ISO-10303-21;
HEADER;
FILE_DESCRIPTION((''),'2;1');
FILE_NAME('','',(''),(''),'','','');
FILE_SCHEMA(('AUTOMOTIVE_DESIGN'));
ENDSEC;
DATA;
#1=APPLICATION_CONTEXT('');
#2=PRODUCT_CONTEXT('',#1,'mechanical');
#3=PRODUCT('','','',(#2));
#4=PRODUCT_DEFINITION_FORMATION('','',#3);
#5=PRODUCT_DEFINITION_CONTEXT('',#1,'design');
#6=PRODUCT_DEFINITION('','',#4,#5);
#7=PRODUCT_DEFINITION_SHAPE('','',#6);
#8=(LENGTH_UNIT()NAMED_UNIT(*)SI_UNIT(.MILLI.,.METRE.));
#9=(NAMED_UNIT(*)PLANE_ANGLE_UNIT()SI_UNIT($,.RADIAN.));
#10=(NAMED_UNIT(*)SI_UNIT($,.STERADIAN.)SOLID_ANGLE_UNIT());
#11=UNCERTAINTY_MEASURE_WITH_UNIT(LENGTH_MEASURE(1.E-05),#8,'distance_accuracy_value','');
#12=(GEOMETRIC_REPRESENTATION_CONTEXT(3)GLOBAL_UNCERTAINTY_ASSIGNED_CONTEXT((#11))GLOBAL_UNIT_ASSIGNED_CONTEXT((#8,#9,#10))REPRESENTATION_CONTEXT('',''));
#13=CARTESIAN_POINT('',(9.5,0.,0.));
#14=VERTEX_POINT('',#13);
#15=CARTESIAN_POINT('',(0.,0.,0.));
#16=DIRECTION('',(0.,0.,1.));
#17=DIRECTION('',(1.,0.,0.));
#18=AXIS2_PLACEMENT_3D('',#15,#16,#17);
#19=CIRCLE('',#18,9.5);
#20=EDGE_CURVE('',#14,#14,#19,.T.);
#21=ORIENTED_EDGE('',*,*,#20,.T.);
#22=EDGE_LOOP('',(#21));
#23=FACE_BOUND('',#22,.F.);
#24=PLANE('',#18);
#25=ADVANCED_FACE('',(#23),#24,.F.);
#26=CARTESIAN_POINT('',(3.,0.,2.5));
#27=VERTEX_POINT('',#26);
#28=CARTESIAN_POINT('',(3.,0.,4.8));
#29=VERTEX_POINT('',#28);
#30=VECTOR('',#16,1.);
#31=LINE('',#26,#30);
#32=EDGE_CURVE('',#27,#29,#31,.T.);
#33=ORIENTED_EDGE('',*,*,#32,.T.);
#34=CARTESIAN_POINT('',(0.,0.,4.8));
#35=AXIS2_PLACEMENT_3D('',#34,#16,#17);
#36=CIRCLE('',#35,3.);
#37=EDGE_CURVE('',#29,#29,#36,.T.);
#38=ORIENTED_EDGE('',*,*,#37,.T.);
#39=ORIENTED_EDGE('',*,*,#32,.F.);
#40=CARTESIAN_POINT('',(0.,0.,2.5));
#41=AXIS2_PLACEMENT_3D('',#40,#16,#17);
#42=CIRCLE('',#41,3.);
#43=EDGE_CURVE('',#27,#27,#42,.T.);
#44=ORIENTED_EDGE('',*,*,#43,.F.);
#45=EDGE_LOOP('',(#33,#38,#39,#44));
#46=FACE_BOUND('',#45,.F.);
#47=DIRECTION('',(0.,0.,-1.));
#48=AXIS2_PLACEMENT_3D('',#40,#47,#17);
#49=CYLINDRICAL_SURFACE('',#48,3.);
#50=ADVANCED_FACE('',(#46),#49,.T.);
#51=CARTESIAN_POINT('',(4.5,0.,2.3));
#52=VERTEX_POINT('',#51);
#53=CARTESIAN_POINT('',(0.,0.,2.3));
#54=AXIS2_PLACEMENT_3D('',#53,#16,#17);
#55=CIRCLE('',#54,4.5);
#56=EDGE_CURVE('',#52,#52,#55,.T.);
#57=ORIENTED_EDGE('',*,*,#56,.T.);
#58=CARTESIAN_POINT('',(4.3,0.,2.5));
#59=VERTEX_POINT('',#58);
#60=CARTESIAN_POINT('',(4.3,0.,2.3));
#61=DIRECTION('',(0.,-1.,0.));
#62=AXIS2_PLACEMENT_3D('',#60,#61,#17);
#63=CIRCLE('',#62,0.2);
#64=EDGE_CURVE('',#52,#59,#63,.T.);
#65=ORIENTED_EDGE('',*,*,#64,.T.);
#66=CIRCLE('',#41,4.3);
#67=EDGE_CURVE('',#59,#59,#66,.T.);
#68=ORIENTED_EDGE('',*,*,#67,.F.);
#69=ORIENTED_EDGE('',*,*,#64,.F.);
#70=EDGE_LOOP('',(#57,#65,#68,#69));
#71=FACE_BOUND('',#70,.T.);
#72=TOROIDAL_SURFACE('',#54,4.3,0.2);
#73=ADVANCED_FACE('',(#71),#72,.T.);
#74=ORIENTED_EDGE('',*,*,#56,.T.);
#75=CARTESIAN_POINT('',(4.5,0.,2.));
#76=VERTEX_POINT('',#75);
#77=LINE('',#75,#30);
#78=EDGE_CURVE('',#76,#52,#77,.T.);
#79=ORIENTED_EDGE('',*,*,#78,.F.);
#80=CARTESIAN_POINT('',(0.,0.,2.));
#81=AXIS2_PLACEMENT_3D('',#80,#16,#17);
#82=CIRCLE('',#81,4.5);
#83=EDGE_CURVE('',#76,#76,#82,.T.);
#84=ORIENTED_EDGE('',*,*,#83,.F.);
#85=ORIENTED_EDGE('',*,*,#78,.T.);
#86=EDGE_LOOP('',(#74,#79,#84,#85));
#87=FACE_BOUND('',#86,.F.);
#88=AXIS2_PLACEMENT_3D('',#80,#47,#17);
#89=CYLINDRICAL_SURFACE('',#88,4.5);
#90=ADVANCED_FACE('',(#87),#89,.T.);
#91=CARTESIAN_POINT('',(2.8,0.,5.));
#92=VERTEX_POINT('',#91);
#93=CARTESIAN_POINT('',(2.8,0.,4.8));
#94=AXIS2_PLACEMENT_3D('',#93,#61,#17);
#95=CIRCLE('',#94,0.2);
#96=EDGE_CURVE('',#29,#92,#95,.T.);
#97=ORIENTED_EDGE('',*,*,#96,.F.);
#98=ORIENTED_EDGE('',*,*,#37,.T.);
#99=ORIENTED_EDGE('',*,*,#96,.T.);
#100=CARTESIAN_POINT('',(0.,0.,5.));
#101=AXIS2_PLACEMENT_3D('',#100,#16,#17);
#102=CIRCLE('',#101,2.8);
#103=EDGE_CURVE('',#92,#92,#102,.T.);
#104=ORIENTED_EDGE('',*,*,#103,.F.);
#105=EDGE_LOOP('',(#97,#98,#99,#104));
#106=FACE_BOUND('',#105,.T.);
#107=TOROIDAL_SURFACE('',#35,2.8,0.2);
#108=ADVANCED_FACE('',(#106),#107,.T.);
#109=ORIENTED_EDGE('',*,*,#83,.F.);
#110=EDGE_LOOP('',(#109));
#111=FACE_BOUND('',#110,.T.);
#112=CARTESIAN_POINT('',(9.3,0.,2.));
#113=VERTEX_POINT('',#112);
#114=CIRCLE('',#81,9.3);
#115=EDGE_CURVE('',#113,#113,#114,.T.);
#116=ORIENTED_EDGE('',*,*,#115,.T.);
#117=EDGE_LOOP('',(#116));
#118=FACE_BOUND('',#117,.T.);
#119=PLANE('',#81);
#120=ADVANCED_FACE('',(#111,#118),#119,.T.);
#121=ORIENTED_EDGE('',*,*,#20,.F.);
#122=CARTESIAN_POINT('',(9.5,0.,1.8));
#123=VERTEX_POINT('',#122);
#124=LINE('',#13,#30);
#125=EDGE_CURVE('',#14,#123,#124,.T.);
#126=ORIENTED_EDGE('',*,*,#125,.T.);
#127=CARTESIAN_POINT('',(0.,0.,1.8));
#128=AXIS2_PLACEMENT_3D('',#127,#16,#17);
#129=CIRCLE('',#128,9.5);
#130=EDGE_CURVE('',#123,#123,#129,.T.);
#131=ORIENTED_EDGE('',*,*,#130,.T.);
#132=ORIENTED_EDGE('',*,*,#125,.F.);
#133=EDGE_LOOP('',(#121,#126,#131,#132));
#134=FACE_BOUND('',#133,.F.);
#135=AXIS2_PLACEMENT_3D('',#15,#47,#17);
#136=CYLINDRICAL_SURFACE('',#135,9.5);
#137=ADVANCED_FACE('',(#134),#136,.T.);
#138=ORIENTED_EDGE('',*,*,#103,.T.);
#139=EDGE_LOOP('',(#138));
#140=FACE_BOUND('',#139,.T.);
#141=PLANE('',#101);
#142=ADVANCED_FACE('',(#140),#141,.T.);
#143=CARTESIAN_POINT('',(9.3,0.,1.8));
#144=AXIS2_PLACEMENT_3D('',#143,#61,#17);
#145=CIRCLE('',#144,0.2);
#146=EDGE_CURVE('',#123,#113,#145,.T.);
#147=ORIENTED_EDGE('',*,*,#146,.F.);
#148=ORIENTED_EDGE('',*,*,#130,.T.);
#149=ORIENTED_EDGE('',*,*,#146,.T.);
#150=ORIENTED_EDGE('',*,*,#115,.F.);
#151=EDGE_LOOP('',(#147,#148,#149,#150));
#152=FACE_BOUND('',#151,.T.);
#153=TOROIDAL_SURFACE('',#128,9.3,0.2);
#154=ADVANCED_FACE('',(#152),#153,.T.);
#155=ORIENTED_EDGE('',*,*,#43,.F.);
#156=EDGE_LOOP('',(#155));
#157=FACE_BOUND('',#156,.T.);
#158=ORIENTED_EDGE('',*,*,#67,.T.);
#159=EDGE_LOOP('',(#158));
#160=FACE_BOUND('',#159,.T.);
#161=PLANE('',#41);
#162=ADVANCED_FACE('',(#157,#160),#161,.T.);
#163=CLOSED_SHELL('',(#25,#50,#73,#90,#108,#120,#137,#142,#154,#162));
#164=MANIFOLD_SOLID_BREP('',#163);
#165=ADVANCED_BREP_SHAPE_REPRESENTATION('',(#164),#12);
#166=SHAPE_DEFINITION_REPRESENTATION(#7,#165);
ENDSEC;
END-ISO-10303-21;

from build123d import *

# Parameters (mm, degrees)
F0_R     = 9.5
F1_DEPTH = 2
F2_R     = 4.5
F3_DEPTH = 0.5
F4_R     = 3
F5_DEPTH = 2.5
F6_R     = 0.2


with BuildPart() as f1:
    # F0 (on Top) → F1 (new body)
    with BuildSketch(Plane.XY):
        Circle(F0_R)
    extrude(amount=F1_DEPTH)

    # F2 (on face) → F3 (join)
    with BuildSketch(Plane.XY.offset(2)):
        Circle(F2_R)
    extrude(amount=F3_DEPTH)

    # F4 (on face) → F5 (join)
    with BuildSketch(Plane.XY.offset(2.5)):
        Circle(F4_R)
    extrude(amount=F5_DEPTH)

    # F6
    f6_edges = [f1.edges().sort_by_distance(p)[0] for p in [
        (-3, 0, 5),
        (-4.5, 0, 2.5),
        (-9.5, 0, 2),
    ]]
    fillet(f6_edges, radius=F6_R)


solid = f1.part
